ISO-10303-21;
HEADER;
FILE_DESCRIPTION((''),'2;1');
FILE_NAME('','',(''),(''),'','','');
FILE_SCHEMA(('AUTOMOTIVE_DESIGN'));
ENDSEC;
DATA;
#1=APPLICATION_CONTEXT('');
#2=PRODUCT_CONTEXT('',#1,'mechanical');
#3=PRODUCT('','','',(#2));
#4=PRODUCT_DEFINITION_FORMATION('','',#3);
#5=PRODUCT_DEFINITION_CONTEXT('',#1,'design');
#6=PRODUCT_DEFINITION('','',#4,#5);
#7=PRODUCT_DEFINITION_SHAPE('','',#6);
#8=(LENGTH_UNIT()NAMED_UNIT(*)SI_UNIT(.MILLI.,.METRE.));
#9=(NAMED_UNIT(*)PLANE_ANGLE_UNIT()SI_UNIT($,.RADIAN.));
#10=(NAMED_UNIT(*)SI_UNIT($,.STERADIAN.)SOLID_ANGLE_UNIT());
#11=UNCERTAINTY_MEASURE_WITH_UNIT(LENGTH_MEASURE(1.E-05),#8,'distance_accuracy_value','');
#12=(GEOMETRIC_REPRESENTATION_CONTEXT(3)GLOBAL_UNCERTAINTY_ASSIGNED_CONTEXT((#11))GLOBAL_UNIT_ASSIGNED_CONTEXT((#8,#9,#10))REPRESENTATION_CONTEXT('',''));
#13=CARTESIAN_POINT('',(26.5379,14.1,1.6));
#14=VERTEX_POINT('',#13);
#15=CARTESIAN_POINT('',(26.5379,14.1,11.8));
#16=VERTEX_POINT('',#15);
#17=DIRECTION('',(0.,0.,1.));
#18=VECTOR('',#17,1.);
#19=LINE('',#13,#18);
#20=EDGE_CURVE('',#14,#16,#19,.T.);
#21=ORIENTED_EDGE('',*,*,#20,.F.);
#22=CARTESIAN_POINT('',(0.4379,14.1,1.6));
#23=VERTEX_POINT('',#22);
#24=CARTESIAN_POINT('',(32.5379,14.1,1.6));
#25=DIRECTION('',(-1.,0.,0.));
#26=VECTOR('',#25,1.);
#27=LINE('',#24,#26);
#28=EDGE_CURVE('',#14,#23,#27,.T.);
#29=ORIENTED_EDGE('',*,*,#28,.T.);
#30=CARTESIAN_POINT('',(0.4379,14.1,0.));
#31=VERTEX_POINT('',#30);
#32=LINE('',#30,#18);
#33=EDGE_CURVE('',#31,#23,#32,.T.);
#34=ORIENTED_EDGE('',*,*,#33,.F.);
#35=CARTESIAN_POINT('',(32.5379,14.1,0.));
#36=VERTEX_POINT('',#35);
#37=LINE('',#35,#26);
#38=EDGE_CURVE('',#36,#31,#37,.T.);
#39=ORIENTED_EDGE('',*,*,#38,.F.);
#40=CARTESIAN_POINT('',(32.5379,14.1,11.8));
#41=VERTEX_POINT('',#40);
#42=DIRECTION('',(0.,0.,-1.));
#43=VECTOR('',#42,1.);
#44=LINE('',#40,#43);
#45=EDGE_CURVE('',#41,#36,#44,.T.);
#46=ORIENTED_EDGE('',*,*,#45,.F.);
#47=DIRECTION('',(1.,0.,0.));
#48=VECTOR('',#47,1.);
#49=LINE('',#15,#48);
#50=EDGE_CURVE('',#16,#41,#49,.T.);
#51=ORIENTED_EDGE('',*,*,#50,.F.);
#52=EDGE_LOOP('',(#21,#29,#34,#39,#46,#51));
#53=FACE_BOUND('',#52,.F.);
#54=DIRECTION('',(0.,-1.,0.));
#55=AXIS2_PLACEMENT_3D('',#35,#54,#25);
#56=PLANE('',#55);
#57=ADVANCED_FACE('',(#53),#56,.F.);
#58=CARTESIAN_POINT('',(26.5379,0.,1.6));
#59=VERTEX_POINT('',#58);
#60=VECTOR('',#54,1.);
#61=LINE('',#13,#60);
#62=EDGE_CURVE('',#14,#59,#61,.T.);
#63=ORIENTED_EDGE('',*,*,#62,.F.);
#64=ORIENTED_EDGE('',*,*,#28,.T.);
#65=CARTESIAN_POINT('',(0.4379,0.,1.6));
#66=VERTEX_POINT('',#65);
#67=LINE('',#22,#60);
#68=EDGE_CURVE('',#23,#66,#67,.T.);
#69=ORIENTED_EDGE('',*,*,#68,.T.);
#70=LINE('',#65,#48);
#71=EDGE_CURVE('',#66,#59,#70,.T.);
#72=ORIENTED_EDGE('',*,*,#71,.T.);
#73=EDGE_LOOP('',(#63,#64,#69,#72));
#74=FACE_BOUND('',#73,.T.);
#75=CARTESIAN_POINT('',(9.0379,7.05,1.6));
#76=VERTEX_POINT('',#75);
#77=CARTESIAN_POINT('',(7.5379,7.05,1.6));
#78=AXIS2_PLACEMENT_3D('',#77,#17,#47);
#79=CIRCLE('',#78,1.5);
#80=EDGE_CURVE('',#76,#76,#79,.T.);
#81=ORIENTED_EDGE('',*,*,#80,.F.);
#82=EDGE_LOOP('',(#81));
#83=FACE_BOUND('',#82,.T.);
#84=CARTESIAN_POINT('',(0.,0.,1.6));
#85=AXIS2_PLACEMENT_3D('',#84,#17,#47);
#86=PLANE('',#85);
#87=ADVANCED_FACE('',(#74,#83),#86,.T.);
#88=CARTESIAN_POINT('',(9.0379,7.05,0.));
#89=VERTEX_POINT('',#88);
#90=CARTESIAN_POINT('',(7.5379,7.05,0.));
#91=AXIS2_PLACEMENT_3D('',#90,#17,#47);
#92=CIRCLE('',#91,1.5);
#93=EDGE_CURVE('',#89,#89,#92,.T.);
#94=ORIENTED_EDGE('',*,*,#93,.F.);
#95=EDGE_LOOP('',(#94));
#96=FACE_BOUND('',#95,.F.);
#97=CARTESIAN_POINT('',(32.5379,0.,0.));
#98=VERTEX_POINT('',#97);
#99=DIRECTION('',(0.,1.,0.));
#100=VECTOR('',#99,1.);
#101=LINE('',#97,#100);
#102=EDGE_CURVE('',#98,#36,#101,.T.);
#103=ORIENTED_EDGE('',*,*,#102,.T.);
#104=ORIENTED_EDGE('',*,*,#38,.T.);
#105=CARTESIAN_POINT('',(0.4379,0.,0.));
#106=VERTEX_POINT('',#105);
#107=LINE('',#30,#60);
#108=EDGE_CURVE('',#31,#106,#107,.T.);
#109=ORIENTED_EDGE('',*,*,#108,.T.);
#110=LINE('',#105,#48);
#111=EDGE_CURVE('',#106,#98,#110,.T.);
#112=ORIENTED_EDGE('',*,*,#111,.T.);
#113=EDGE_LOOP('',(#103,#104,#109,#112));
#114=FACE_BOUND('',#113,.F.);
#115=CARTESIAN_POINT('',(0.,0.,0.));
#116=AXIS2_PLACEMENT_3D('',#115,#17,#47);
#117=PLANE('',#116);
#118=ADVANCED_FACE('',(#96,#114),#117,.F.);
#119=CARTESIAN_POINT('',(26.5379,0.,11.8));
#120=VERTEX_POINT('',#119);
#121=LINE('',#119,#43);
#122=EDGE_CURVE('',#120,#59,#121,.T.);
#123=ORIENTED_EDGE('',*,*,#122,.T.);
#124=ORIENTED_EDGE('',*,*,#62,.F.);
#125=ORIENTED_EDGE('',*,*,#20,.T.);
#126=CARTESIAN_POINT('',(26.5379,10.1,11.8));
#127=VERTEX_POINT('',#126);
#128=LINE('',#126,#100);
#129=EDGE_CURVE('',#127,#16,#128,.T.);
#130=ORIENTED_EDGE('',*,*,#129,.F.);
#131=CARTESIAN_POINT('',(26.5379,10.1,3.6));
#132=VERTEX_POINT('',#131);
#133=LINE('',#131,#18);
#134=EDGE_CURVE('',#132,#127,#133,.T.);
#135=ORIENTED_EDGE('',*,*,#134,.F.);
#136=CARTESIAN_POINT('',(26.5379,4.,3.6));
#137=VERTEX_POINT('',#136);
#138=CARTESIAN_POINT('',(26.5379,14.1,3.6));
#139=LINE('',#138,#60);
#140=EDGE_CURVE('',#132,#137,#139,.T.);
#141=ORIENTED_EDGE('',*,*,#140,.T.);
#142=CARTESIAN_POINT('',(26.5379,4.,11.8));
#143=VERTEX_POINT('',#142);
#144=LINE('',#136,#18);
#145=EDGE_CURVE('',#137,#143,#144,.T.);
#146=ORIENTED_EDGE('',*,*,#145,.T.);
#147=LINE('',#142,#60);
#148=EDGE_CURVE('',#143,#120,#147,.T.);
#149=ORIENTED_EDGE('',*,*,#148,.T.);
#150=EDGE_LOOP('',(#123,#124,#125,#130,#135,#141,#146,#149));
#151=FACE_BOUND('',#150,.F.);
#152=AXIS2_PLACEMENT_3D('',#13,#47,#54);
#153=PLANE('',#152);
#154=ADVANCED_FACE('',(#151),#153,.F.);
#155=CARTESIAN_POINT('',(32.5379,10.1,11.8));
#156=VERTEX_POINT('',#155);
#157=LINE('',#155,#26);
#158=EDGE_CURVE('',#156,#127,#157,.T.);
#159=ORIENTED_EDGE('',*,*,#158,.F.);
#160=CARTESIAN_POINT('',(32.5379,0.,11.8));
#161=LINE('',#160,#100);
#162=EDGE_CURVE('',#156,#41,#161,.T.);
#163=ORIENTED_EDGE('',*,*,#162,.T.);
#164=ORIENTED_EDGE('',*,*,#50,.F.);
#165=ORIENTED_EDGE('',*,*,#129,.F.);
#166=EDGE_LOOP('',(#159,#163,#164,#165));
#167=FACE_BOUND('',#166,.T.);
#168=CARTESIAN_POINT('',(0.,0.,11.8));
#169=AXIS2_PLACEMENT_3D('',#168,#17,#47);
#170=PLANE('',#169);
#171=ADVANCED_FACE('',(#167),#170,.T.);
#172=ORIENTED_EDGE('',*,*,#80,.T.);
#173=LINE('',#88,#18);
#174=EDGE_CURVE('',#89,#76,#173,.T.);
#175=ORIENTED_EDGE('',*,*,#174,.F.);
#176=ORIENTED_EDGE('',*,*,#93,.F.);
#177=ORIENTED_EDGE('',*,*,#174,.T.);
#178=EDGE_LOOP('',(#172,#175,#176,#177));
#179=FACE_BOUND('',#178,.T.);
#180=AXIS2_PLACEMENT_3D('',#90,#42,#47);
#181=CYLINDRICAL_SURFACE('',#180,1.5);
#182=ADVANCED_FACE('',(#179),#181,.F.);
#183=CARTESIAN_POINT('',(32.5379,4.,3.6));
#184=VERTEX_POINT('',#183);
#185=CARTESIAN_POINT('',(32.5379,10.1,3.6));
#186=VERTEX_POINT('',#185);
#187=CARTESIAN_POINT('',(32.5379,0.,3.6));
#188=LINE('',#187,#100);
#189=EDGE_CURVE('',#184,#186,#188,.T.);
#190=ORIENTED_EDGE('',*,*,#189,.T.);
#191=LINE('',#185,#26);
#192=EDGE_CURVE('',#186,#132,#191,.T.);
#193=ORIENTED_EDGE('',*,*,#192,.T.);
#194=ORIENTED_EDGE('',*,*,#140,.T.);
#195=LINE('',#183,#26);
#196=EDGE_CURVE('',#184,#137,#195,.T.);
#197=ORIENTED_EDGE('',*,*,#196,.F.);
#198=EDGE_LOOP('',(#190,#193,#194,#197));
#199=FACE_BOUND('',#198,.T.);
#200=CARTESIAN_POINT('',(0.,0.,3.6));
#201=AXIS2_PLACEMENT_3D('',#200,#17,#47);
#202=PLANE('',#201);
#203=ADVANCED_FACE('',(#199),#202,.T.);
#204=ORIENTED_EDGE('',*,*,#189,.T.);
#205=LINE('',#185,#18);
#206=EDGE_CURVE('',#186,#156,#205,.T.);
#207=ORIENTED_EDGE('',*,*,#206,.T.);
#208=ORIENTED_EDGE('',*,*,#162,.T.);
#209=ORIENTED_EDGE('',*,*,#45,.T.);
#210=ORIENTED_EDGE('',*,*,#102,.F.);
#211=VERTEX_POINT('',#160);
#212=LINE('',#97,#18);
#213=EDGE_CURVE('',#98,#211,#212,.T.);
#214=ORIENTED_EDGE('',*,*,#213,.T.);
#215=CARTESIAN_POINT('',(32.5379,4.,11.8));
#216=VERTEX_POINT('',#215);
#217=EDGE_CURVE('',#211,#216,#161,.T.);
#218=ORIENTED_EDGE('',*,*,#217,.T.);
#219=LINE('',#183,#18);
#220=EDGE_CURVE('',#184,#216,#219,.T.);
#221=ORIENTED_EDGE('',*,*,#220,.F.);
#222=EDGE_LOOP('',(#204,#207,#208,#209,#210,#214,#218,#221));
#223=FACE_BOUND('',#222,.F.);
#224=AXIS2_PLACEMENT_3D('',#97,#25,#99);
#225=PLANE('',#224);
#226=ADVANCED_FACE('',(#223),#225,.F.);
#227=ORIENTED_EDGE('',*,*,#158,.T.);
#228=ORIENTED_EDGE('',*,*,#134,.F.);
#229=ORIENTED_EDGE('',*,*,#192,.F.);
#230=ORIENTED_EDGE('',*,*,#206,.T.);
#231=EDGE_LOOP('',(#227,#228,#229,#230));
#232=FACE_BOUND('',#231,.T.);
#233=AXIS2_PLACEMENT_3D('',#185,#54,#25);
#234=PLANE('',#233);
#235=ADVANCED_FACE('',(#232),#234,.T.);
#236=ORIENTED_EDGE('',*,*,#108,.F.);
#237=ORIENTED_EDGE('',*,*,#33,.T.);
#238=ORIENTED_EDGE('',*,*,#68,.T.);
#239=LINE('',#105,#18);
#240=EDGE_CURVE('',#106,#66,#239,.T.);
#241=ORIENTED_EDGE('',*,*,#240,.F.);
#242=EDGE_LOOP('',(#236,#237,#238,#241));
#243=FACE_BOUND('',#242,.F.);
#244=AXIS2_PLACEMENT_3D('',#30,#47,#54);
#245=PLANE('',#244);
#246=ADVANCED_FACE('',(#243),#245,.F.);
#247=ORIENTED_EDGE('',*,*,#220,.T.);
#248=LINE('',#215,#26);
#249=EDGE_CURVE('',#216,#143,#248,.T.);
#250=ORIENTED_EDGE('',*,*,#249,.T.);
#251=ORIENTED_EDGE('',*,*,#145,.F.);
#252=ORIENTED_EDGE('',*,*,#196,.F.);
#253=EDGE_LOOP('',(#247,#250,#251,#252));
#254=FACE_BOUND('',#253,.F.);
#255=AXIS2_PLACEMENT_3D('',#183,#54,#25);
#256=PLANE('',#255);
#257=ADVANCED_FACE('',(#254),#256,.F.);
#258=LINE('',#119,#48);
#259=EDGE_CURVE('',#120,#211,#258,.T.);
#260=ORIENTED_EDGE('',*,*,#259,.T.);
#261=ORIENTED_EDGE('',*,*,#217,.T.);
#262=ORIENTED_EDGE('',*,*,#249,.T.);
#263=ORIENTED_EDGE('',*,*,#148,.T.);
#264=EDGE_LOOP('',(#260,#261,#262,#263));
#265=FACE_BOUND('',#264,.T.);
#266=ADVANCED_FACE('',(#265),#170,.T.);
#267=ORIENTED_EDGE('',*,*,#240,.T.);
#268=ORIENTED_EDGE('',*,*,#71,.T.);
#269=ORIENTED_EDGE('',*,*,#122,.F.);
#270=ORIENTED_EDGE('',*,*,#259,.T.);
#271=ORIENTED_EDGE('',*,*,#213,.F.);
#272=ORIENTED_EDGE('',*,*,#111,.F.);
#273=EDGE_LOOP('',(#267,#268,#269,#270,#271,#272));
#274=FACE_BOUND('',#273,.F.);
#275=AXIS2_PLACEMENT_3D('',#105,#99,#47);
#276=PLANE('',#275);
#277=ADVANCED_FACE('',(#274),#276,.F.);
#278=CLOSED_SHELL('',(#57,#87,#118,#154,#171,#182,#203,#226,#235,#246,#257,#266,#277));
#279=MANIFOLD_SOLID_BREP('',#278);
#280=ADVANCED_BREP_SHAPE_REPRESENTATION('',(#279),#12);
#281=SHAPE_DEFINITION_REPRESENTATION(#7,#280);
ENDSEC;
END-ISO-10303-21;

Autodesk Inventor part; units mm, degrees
ref_plane "YZ Plane" through (0, 0, 0) normal (1, 0, 0) x (0, 1, 0)
ref_plane "XZ Plane" through (0, 0, 0) normal (0, 1, 0) x (-1, 0, 0)
ref_plane "XY Plane" through (0, 0, 0) normal (0, 0, 1) x (1, 0, 0)
sketch "Sketch1" plane through (0, 0, 0) normal (0, 0, 1) x (1, 0, 0)
  line L0 (0.4379, 0) -> (32.5379, 0)
  line L1 (32.5379, 0) -> (32.5379, 14.1)
  line L2 (32.5379, 14.1) -> (0.4379, 14.1)
  line L3 (0.4379, 14.1) -> (0.4379, 0)
  circle A0 centre (7.5379, 7.05) radius 1.5
  point P0 (0, 0)
  dimension "d0" = 14.1
  dimension "d2" = 32.1
  dimension "d3" = 3
  dimension "d4" = 7.1
  dimension "d5" = 7.05
extrude "Extrusion1" add sketch "Sketch1" along normal blind 1.6
sketch "Sketch2" plane through (0, 0, 1.6) normal (0, 0, 1) x (1, 0, 0)
  line L0 (0.4379, 0) -> (32.5379, 0) projected
  line L1 (26.5379, 0) -> (32.5379, 0)
  line L2 (32.5379, 0) -> (32.5379, 14.1)
  line L3 (32.5379, 14.1) -> (26.5379, 14.1)
  line L4 (26.5379, 14.1) -> (26.5379, 0)
  point P0 (0, 0)
  dimension "d8" = 6
extrude "Extrusion2" add sketch "Sketch2" along normal blind 2
sketch "Sketch3" plane through (0, 0, 3.6) normal (0, 0, 1) x (1, 0, 0)
  line L0 (26.5379, 0) -> (32.5379, 0) projected
  line L1 (32.5379, 0) -> (32.5379, 14.1) projected
  line L2 (26.5379, 14.1) -> (32.5379, 14.1)
  line L3 (32.5379, 14.1) -> (32.5379, 10.1)
  line L4 (32.5379, 10.1) -> (26.5379, 10.1)
  line L5 (26.5379, 10.1) -> (26.5379, 14.1)
  line L6 (26.5379, 0) -> (32.5379, 0)
  line L7 (32.5379, 0) -> (32.5379, 4)
  line L8 (32.5379, 4) -> (26.5379, 4)
  line L9 (26.5379, 4) -> (26.5379, 0)
  point P0 (0, 0)
  dimension "d12" = 4
  dimension "d14" = 4
extrude "Extrusion3" add sketch "Sketch3" along normal blind 8.2
properties part number "optical sensor pcb"
